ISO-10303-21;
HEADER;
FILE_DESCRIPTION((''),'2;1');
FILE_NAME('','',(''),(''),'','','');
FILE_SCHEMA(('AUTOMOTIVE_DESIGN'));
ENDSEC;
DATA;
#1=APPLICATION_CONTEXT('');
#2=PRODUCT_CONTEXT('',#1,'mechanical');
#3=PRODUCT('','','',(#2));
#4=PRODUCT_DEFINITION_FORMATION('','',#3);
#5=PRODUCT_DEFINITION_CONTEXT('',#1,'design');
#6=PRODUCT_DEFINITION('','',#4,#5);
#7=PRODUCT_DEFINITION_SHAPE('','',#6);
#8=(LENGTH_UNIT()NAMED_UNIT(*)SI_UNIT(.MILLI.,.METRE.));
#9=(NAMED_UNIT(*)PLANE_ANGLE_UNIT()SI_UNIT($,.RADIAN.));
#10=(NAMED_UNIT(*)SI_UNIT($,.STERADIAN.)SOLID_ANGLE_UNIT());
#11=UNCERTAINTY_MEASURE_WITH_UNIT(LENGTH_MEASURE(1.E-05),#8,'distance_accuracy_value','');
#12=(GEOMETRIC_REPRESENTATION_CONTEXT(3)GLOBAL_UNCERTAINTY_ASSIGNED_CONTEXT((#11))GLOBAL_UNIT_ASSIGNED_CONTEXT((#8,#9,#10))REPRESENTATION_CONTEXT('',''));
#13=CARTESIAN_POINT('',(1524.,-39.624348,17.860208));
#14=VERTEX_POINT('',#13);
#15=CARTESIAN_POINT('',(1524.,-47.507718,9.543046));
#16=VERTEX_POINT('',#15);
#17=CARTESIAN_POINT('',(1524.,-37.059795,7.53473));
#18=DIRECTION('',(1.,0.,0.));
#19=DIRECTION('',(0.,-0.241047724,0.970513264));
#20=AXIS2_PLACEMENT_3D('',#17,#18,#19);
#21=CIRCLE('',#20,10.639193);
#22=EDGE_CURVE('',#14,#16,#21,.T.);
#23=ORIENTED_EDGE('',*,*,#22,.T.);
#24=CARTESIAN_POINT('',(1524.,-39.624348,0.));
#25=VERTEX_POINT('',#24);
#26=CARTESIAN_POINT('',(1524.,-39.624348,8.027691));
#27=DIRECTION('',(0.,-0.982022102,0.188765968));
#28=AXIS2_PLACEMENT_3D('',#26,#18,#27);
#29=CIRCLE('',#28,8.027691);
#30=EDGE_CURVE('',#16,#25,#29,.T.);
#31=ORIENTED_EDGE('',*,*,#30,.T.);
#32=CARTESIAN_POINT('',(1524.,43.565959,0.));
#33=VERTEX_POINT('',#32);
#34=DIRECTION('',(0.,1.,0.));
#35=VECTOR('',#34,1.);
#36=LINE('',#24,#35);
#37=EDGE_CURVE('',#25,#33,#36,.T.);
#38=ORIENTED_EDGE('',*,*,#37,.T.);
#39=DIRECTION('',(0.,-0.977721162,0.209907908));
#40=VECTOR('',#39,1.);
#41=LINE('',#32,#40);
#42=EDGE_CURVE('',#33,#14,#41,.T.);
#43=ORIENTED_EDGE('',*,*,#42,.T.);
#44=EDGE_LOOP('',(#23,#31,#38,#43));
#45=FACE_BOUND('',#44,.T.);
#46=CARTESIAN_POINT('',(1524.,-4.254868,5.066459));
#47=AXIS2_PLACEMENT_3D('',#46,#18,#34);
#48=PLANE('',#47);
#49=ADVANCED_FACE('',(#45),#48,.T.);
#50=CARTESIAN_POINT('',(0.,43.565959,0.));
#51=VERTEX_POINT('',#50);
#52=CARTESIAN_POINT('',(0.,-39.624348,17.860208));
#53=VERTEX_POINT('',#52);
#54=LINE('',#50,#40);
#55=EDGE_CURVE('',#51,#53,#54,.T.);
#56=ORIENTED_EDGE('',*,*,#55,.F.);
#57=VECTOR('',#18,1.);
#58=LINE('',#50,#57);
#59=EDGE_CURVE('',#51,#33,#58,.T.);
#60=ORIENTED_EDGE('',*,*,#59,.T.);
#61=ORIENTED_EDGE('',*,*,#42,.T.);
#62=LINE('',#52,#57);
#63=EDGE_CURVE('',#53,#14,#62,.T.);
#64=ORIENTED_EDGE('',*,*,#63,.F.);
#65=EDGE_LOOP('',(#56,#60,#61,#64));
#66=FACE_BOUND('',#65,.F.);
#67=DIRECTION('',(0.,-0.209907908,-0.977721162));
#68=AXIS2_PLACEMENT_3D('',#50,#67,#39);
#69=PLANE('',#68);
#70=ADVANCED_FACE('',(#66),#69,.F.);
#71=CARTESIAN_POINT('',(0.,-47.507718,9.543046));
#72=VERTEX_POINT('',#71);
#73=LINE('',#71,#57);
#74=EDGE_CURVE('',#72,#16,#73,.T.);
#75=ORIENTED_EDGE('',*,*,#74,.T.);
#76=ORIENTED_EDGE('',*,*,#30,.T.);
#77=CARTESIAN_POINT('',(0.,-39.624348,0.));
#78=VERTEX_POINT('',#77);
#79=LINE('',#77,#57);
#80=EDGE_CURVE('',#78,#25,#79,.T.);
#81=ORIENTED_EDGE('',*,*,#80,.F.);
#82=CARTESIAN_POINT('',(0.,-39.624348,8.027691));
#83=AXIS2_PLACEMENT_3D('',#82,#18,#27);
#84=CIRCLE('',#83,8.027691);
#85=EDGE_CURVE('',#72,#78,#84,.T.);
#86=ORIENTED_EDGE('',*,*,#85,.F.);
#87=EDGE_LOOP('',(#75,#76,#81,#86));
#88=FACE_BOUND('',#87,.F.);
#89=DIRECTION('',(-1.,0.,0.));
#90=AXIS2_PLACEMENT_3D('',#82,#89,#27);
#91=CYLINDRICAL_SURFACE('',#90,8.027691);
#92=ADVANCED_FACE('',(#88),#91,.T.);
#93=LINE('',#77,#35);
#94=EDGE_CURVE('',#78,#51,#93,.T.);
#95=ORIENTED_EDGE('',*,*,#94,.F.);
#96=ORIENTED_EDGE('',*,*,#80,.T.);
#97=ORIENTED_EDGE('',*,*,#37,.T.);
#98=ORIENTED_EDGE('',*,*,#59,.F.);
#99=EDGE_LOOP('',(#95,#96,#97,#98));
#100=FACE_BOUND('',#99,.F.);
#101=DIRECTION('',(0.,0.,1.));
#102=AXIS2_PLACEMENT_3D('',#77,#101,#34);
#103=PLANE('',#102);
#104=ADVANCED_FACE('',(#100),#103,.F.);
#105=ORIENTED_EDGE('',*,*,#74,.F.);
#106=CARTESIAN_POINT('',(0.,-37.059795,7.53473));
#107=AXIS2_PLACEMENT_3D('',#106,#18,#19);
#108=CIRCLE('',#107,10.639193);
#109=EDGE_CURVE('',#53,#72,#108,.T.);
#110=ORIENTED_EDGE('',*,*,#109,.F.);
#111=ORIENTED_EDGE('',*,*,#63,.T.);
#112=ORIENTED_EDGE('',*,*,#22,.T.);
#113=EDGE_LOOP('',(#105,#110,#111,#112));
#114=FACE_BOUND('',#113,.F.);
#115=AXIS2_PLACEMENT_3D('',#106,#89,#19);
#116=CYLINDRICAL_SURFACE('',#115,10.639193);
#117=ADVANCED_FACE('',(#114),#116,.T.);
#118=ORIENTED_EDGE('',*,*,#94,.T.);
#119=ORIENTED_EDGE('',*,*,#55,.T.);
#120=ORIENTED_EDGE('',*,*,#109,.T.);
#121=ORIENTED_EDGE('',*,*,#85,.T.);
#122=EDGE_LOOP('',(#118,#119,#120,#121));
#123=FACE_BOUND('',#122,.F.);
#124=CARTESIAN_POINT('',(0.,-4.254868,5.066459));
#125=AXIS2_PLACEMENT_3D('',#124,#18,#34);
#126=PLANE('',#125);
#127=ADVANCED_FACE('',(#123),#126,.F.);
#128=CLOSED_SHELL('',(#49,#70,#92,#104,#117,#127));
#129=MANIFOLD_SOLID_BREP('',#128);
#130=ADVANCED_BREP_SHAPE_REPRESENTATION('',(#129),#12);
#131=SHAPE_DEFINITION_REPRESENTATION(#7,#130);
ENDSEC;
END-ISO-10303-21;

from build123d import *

# Parameters (mm, degrees)
F1_DEPTH = 1524


with BuildPart() as f1:
    # F0 (on Right) → F1 (new body)
    with BuildSketch(Plane.YZ):
        with BuildLine():
            ThreePointArc((-47.507718, 9.543046), (-45.813396, 2.91501), (-39.624348, 0))
            Line((-39.624348, 0), (43.565959, 0))
            Line((43.565959, 0), (-39.624348, 17.860208))
            ThreePointArc((-39.624348, 17.860208), (-44.781513, 14.853712), (-47.507718, 9.543046))
        make_face()
    extrude(amount=F1_DEPTH)


solid = f1.part
